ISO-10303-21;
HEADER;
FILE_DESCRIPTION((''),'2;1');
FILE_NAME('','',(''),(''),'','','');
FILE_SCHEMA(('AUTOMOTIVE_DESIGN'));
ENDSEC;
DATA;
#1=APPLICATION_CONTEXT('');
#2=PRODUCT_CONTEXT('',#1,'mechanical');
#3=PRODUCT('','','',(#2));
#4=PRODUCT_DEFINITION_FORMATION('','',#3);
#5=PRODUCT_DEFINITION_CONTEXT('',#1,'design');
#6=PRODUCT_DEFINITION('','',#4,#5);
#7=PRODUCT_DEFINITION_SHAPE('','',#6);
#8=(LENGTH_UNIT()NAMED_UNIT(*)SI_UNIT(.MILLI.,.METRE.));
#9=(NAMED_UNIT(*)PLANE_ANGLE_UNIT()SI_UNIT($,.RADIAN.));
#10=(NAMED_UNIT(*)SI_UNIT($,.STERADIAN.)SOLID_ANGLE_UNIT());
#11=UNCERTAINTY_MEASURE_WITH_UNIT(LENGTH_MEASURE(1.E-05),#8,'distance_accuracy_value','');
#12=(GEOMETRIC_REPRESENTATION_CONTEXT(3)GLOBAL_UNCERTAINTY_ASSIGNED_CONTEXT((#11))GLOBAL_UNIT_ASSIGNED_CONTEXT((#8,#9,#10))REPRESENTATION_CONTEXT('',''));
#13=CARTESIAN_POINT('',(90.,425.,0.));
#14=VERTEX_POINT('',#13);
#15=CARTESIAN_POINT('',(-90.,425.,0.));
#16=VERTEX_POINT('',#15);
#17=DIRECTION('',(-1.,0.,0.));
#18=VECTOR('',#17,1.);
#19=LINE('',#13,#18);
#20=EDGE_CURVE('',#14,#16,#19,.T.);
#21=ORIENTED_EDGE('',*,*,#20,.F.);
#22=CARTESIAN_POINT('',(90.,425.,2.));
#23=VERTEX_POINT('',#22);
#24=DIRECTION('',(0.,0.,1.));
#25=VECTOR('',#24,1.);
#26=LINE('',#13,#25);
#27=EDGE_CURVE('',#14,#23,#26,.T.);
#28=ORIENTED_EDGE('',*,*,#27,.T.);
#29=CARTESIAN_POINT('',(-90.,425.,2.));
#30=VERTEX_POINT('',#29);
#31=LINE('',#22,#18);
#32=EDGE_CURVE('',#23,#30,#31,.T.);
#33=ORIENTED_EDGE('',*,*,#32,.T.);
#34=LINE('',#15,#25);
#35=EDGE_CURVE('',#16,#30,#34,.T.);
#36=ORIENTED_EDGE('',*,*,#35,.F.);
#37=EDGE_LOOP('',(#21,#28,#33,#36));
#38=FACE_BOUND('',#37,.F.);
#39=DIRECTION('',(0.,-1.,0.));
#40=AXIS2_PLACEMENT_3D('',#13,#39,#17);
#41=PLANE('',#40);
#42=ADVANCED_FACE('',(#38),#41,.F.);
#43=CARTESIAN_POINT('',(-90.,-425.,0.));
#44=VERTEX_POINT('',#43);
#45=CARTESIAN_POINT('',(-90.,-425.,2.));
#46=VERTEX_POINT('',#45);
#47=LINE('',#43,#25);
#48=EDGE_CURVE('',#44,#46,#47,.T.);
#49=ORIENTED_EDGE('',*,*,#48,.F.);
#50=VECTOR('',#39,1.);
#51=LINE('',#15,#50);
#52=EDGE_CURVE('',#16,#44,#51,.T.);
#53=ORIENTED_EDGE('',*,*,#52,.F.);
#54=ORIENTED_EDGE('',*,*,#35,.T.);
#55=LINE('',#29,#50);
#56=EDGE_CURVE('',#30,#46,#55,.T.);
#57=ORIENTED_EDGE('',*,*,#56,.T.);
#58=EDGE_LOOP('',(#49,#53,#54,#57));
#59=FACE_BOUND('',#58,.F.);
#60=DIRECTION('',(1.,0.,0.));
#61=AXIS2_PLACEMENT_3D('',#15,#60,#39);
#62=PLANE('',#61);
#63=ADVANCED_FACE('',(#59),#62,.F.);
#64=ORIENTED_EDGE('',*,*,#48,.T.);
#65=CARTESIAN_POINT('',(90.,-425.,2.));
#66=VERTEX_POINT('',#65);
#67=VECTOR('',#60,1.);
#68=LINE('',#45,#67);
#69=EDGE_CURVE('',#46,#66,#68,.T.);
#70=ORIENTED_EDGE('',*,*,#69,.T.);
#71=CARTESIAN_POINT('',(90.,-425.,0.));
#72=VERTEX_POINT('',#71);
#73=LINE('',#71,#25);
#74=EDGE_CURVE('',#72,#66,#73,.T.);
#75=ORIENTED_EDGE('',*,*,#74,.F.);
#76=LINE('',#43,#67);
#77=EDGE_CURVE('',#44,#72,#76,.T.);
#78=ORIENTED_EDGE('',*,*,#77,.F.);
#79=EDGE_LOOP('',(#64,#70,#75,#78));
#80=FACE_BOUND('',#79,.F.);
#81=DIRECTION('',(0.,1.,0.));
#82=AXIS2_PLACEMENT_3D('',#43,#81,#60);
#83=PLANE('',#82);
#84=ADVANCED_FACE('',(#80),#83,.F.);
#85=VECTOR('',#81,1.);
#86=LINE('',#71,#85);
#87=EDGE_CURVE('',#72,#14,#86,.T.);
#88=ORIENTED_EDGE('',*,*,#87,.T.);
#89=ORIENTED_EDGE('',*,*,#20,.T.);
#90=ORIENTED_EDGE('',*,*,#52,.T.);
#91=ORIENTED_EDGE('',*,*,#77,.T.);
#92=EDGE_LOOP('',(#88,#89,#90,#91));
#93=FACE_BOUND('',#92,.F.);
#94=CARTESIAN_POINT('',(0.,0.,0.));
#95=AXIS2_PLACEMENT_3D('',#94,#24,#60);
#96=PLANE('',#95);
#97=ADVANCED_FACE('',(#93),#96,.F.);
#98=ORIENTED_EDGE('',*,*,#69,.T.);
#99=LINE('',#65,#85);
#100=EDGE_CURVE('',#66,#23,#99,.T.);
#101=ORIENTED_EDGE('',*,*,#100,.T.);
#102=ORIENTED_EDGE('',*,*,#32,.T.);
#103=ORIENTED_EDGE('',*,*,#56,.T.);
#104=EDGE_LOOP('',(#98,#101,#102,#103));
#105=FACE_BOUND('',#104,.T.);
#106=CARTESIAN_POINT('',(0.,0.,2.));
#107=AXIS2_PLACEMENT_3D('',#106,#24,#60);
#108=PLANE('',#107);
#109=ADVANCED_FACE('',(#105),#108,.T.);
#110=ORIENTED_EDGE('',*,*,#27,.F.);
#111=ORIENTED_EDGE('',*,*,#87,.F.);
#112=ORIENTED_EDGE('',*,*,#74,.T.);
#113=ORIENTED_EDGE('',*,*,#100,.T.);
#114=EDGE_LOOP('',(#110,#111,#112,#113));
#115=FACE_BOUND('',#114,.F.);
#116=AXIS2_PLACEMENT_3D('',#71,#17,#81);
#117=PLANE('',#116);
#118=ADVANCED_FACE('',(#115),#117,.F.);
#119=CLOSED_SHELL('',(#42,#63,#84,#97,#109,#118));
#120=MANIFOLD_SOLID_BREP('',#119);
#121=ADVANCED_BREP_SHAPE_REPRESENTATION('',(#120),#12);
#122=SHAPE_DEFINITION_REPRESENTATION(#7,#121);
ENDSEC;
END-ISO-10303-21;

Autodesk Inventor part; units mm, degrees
ref_plane "YZ Plane" through (0, 0, 0) normal (1, 0, 0) x (0, 1, 0)
ref_plane "XZ Plane" through (0, 0, 0) normal (0, 1, 0) x (-1, 0, 0)
ref_plane "XY Plane" through (0, 0, 0) normal (0, 0, 1) x (1, 0, 0)
sketch "Эскиз5" plane through (0, 0, 0) normal (0, 0, 1) x (1, 0, 0)
  line L0 (-90, -425) -> (90, -425)
  line L1 (90, -425) -> (90, 425)
  line L2 (90, 425) -> (-90, 425)
  line L3 (-90, 425) -> (-90, -425)
  line L4 (-90, -425) -> (90, 425) construction
  line L5 (90, -425) -> (-90, 425) construction
  point P0 (0, 0)
  dimension "d64" = 180
  dimension "d65" = 850
extrude "Пластина2" add sketch "Эскиз5" along normal blind 2
equation "\"Ширина_просечки\" = Толщина"
equation "\"Глубина_просечки\" = 0.5 * Толщина"
equation "\"Размер_высечки\" = 4 * Толщина"
equation "\"Минимальный_остаток\" = 2 * Толщина"
equation "\"Радиус_перехода\" = Радиус_гибки"
equation "\"Радиус_Якоби\" = Радиус_гибки"
equation "\"Размер_зазора\" = Толщина"
equation "\"d2\" = Радиус_гибки"
equation "\"d66\" = Радиус_гибки"
equation "\"Толщина\" = 2"
equation "\"Радиус_гибки\" = 1.6"
properties material "Сталь"
